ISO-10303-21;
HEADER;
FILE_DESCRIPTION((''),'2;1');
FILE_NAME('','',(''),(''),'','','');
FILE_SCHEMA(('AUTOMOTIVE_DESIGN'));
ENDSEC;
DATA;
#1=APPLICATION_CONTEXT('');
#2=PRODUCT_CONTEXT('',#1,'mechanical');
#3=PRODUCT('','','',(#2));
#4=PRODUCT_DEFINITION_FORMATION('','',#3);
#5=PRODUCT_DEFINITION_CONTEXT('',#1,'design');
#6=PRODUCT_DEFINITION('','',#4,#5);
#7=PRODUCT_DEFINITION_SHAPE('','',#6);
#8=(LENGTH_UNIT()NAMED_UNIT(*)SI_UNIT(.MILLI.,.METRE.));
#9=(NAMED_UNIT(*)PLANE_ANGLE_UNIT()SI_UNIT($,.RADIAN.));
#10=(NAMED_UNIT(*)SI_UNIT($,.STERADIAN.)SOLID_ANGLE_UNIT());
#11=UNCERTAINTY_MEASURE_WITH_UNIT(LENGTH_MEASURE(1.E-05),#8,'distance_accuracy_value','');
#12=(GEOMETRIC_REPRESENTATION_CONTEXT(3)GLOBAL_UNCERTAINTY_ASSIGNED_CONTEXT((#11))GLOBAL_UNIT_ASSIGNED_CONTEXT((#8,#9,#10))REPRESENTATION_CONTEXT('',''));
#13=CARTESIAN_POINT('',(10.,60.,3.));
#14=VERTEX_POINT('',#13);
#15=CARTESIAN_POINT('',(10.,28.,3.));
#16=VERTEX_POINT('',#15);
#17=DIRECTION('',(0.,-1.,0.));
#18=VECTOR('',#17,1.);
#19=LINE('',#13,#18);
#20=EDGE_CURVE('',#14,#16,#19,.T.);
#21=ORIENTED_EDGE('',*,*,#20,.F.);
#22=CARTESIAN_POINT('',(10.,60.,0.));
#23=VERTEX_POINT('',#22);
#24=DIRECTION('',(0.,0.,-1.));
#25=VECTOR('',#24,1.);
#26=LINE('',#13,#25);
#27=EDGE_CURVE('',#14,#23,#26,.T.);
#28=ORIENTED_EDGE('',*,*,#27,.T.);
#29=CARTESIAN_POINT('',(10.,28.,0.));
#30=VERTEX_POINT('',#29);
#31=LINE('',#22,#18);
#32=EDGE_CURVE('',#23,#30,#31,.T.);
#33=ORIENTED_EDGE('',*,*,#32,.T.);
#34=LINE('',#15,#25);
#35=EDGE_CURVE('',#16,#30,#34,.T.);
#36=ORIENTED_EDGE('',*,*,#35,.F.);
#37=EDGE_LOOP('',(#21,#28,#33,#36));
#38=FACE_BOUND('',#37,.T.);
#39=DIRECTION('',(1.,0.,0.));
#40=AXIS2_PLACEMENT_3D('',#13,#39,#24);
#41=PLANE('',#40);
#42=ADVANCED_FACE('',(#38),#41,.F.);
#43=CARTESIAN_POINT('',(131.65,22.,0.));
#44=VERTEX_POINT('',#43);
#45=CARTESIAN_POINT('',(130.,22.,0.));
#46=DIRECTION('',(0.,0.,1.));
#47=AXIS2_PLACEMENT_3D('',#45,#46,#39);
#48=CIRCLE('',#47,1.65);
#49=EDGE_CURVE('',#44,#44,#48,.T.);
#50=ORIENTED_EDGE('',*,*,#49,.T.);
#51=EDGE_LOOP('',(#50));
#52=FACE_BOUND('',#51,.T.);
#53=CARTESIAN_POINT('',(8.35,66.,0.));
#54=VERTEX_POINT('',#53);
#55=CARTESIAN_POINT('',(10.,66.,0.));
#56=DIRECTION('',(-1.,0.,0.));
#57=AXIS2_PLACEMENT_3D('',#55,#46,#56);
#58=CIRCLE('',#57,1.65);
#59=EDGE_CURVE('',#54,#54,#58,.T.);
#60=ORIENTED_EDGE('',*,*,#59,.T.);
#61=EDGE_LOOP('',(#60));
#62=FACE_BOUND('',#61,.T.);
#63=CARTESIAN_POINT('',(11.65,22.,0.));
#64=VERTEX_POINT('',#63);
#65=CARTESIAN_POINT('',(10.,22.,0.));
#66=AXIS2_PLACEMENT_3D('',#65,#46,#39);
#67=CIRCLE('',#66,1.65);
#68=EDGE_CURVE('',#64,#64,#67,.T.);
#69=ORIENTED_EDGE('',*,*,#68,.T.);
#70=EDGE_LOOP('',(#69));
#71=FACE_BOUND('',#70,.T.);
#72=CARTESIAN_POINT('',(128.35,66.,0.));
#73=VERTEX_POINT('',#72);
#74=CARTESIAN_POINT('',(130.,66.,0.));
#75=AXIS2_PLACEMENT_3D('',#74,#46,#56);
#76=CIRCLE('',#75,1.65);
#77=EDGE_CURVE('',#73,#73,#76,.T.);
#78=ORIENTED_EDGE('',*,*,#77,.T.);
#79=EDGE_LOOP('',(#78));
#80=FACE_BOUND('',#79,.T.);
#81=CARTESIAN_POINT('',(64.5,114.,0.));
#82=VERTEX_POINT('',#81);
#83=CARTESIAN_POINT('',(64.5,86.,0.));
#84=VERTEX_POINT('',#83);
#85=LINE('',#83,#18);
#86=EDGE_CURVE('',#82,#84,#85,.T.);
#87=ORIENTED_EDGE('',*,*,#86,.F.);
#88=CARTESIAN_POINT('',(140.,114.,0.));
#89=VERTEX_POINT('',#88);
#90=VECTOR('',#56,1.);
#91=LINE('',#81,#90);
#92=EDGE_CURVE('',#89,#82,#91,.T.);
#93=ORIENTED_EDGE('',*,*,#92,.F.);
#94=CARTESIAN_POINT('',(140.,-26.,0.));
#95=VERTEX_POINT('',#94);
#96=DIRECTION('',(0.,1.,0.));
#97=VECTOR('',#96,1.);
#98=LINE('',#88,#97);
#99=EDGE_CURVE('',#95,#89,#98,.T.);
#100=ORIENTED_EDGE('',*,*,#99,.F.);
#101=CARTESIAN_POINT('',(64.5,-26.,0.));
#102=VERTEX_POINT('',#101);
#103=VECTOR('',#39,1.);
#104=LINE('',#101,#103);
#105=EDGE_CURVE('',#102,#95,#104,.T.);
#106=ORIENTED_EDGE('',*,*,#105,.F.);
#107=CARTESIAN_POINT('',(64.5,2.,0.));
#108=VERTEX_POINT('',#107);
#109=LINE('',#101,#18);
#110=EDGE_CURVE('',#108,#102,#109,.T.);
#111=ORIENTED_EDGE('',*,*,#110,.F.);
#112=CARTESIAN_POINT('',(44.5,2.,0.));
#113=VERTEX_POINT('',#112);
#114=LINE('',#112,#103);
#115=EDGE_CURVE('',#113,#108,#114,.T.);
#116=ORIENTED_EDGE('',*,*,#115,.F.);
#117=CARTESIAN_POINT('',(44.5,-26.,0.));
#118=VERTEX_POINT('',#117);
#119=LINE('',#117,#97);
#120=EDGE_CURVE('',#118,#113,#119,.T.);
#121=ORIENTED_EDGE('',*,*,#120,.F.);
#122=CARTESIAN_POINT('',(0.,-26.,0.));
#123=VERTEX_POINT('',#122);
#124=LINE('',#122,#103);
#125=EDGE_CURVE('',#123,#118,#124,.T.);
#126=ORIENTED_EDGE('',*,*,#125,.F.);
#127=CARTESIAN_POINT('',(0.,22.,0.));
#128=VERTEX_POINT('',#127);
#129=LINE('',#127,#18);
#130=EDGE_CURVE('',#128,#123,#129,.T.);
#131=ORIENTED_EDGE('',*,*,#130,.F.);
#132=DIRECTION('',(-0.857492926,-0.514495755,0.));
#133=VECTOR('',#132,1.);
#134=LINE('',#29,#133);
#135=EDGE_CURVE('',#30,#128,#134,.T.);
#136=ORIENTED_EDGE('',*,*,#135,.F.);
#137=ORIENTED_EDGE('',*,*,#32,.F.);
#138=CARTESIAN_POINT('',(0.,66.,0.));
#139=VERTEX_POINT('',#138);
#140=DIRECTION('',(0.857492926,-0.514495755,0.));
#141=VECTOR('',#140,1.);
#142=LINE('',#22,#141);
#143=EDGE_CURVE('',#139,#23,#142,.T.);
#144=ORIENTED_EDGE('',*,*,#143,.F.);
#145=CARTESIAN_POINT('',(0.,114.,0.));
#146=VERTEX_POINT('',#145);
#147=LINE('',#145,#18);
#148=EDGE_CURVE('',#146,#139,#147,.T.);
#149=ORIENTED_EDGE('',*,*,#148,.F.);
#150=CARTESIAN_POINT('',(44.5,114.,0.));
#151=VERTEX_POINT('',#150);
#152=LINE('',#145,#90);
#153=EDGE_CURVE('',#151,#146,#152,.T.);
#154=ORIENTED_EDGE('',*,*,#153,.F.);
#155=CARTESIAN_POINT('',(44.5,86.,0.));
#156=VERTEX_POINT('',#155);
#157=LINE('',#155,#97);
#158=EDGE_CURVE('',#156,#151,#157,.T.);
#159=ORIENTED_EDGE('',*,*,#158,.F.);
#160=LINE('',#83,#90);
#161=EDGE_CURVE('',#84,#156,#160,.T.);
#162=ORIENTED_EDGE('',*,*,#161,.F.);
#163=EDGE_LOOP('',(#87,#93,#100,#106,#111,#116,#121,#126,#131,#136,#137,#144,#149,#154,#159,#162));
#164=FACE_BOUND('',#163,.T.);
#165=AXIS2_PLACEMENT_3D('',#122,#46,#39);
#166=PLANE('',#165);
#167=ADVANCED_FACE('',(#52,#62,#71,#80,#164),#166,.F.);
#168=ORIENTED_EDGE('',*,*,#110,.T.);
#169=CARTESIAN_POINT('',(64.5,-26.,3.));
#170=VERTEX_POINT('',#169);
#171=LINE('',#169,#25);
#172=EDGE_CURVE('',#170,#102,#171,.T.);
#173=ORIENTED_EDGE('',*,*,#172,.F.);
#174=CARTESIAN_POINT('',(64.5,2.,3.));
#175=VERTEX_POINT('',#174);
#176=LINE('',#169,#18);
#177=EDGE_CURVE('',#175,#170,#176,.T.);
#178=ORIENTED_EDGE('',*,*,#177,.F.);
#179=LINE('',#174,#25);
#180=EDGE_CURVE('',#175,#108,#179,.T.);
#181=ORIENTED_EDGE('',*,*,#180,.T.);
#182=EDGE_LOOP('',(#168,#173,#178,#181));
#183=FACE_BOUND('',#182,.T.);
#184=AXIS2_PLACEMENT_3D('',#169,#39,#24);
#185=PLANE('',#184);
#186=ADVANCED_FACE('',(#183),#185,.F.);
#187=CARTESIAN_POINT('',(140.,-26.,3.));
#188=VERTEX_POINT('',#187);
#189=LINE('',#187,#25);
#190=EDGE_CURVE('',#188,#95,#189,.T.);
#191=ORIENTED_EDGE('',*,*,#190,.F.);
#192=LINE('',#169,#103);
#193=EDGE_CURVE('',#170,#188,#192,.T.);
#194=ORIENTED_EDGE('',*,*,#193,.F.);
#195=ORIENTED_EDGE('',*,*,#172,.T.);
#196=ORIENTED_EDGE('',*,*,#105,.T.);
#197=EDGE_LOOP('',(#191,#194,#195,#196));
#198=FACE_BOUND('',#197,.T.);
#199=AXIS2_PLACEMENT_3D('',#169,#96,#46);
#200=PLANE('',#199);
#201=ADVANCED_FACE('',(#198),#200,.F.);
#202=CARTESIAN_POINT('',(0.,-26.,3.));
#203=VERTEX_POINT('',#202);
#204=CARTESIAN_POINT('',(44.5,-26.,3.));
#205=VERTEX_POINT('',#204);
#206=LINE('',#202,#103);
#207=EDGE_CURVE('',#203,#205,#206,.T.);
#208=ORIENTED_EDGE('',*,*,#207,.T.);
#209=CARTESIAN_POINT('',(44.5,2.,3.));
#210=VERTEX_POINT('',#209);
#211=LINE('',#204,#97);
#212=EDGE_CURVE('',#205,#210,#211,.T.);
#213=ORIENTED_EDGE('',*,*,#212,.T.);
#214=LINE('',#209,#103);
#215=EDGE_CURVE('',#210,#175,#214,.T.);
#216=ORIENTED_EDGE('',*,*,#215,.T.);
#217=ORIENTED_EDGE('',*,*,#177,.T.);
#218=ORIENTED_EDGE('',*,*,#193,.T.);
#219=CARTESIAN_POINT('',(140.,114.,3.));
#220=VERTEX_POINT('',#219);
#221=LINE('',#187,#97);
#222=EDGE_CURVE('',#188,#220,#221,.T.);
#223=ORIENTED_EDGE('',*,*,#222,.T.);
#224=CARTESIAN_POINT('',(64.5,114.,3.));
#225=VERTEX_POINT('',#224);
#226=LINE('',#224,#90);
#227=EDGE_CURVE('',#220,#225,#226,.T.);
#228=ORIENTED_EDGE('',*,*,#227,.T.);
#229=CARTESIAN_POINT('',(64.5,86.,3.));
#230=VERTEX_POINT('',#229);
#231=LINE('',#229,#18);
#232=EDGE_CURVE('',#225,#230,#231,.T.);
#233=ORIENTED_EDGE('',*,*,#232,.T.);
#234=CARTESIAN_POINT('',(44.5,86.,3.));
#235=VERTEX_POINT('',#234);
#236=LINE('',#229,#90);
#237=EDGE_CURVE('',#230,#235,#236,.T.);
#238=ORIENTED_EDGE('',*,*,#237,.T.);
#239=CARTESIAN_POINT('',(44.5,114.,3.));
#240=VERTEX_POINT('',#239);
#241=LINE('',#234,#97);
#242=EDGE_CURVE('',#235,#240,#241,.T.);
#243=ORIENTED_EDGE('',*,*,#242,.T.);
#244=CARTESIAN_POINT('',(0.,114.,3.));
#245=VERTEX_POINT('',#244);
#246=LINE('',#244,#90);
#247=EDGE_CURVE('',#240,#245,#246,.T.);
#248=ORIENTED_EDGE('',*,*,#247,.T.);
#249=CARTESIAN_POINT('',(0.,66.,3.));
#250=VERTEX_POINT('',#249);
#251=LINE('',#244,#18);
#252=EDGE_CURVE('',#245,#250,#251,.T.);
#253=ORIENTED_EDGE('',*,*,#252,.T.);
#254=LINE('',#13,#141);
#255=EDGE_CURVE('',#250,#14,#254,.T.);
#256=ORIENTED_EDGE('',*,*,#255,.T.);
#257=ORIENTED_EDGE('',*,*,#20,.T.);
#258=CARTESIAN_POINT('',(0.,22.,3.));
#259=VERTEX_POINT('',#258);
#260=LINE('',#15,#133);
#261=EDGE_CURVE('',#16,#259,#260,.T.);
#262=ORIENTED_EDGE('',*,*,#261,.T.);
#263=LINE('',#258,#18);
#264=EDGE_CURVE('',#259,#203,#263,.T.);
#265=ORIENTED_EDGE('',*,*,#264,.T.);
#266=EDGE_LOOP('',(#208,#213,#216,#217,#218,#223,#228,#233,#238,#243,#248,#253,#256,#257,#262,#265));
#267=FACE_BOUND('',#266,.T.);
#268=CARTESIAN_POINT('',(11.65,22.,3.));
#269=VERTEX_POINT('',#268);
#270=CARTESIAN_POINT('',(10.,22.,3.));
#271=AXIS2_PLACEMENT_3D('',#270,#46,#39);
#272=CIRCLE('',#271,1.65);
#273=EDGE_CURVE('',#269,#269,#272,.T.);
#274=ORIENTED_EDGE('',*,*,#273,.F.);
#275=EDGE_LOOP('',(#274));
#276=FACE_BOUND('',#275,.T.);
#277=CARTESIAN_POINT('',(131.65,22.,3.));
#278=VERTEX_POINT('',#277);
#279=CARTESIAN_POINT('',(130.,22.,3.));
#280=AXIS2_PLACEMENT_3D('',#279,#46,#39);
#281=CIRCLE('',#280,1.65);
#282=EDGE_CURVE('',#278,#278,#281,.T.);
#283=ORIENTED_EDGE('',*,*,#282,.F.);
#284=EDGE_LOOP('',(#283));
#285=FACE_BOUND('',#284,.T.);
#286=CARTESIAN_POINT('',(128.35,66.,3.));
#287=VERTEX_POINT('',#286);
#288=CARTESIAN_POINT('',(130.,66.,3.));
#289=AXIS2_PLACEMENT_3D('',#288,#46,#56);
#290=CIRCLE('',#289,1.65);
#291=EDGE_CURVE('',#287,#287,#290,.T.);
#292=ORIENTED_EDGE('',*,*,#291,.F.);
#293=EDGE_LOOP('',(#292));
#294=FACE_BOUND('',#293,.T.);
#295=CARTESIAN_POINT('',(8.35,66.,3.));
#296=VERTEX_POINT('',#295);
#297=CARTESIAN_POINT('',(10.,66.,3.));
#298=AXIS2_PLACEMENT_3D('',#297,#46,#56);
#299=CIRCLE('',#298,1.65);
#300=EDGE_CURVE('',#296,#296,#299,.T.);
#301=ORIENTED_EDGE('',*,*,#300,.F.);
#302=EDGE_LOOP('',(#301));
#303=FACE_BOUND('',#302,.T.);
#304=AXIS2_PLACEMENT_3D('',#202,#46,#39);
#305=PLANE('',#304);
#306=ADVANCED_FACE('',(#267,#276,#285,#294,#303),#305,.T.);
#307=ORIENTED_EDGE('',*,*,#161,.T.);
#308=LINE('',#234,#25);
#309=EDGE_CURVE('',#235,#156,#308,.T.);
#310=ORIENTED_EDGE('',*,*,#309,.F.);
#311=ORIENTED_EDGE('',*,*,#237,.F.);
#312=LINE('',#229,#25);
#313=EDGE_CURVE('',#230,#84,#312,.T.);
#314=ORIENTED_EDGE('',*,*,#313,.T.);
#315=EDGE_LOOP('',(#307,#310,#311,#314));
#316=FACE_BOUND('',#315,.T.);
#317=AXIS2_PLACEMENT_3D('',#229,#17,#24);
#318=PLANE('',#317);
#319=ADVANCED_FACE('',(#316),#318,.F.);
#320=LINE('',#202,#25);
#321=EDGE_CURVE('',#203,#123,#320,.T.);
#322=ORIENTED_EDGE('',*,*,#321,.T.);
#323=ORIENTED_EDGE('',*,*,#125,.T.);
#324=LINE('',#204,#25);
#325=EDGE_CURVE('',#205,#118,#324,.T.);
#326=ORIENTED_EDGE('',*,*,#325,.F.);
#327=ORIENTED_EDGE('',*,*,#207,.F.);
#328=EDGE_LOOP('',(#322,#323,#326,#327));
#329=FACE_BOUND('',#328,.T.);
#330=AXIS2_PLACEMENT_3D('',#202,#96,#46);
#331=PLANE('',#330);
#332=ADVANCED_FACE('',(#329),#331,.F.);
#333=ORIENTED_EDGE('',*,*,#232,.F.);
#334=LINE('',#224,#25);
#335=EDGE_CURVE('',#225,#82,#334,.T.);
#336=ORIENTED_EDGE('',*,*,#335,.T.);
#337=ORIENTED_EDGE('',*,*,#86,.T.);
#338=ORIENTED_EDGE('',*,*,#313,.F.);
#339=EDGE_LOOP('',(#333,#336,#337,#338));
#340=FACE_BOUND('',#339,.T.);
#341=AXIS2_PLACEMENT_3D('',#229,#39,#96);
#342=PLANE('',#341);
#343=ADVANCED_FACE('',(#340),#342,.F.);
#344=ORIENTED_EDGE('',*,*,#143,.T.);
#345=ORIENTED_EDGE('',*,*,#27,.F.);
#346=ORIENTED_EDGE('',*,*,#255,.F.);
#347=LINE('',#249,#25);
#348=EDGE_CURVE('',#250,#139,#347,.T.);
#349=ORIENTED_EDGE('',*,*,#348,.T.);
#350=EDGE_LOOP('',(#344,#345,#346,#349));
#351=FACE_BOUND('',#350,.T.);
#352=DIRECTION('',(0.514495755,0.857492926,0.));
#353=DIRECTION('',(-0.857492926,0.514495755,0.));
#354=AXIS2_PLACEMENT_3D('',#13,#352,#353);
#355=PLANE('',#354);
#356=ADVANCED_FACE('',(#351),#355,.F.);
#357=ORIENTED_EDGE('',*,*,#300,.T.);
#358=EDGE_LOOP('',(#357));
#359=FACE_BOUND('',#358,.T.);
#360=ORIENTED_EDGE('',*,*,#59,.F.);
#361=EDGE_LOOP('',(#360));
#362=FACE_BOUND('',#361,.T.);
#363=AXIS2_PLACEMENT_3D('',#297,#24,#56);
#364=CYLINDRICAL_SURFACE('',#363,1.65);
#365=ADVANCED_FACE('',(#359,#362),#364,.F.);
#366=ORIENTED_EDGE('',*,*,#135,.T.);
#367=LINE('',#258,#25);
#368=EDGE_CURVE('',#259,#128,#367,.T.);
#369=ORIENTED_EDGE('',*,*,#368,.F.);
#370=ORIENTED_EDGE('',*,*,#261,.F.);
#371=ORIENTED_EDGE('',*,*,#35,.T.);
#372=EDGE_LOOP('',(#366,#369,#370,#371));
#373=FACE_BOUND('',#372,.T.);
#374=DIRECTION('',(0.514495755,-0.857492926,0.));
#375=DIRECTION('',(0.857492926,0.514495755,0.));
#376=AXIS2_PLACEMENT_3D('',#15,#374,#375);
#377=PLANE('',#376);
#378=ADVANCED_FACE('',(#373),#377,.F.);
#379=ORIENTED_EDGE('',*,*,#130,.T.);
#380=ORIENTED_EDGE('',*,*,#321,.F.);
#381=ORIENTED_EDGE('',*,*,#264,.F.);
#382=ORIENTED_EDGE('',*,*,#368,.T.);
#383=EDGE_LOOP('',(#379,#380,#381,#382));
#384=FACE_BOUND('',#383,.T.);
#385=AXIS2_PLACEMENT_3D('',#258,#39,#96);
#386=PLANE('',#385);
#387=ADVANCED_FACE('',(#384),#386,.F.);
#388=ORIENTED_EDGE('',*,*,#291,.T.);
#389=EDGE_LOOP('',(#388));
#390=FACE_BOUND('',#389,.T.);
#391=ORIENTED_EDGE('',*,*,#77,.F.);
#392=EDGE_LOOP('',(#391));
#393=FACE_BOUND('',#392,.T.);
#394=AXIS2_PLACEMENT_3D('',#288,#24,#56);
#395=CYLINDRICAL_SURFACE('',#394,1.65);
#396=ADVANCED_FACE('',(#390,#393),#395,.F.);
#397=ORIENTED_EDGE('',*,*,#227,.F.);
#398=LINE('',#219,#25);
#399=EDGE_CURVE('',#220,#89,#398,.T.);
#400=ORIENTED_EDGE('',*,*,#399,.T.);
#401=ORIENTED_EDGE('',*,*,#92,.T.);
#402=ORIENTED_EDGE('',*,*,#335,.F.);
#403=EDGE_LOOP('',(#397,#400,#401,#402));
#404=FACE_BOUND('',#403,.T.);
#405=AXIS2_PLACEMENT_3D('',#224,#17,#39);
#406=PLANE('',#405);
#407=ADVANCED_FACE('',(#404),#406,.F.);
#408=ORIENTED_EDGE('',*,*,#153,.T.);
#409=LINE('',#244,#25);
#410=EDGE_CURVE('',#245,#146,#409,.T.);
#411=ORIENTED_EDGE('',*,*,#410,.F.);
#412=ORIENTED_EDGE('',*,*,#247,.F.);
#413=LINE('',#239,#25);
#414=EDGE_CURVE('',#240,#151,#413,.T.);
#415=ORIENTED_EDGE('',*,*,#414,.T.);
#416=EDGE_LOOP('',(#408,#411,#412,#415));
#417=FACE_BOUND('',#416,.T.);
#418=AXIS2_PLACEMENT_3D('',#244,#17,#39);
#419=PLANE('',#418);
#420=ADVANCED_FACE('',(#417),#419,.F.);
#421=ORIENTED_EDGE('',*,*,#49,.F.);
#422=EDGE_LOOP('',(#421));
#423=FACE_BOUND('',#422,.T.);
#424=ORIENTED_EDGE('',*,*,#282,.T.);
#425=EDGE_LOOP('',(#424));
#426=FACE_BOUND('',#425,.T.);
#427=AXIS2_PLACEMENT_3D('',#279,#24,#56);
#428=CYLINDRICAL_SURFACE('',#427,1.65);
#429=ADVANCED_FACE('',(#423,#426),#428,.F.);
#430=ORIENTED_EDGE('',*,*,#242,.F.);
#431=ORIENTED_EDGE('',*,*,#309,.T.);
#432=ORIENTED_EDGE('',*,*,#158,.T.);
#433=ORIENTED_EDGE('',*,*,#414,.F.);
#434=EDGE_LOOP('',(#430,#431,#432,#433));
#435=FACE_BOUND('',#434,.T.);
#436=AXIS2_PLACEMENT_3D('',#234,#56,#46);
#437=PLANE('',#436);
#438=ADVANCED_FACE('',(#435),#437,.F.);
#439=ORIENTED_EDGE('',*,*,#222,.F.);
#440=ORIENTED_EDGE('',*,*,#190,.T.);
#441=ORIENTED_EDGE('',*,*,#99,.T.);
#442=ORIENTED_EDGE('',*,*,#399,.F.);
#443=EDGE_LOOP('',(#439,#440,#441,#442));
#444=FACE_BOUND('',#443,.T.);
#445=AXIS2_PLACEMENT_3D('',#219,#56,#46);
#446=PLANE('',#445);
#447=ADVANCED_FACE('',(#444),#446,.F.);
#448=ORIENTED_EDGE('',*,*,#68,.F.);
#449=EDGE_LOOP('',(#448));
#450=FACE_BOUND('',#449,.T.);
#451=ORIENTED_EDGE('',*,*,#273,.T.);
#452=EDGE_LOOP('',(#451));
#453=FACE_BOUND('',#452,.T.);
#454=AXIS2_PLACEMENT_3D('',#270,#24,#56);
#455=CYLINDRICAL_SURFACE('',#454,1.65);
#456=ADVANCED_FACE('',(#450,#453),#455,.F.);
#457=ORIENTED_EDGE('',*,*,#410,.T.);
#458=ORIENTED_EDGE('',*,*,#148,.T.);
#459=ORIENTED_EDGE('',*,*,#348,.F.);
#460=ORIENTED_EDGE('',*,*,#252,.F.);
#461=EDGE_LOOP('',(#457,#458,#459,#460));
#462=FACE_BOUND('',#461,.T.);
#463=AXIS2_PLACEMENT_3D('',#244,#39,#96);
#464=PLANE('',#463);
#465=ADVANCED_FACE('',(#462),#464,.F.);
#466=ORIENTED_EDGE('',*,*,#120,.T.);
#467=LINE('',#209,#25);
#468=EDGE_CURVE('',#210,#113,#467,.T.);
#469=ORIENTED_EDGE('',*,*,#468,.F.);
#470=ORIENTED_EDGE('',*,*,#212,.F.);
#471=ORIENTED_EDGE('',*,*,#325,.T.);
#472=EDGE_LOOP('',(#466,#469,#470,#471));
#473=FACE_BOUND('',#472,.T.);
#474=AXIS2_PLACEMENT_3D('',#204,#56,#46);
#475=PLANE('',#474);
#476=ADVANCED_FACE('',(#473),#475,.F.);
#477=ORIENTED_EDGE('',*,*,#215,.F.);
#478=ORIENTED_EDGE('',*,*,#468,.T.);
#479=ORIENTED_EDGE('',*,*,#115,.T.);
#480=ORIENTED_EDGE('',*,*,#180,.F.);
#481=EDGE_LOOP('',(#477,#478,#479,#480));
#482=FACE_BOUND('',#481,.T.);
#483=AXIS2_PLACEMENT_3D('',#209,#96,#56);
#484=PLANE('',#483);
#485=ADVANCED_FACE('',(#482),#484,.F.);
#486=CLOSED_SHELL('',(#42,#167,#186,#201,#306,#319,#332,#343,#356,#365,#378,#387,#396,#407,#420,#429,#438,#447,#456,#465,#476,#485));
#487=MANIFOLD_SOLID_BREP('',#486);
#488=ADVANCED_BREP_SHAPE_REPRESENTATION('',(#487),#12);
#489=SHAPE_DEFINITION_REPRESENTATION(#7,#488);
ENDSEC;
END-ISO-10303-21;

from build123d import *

# Parameters (mm, degrees)
SKETCH1_R           = 1.65
BOSS_EXTRUDE1_DEPTH = 3


with BuildPart() as part:
    # Sketch1 → Boss-Extrude1 (new body)
    with BuildSketch(Plane.XY):
        Polygon((0, -26), (44.5, -26), (44.5, 2), (64.5, 2), (64.5, -26), (140, -26), (140, 22), (140, 66), (140, 114), (64.5, 114), (64.5, 86), (44.5, 86), (44.5, 114), (0, 114), (0, 66), (10, 60), (10, 28), (0, 22), align=None)
        with Locations((10, 22)):
            Circle(SKETCH1_R, mode=Mode.SUBTRACT)
        with Locations(Location((130, 66, 0), (0, 0, 180))):
            Circle(SKETCH1_R, mode=Mode.SUBTRACT)
        with Locations((130, 22)):
            Circle(SKETCH1_R, mode=Mode.SUBTRACT)
        with Locations(Location((10, 66, 0), (0, 0, 180))):
            Circle(SKETCH1_R, mode=Mode.SUBTRACT)
    extrude(amount=BOSS_EXTRUDE1_DEPTH)


solid = part.part
